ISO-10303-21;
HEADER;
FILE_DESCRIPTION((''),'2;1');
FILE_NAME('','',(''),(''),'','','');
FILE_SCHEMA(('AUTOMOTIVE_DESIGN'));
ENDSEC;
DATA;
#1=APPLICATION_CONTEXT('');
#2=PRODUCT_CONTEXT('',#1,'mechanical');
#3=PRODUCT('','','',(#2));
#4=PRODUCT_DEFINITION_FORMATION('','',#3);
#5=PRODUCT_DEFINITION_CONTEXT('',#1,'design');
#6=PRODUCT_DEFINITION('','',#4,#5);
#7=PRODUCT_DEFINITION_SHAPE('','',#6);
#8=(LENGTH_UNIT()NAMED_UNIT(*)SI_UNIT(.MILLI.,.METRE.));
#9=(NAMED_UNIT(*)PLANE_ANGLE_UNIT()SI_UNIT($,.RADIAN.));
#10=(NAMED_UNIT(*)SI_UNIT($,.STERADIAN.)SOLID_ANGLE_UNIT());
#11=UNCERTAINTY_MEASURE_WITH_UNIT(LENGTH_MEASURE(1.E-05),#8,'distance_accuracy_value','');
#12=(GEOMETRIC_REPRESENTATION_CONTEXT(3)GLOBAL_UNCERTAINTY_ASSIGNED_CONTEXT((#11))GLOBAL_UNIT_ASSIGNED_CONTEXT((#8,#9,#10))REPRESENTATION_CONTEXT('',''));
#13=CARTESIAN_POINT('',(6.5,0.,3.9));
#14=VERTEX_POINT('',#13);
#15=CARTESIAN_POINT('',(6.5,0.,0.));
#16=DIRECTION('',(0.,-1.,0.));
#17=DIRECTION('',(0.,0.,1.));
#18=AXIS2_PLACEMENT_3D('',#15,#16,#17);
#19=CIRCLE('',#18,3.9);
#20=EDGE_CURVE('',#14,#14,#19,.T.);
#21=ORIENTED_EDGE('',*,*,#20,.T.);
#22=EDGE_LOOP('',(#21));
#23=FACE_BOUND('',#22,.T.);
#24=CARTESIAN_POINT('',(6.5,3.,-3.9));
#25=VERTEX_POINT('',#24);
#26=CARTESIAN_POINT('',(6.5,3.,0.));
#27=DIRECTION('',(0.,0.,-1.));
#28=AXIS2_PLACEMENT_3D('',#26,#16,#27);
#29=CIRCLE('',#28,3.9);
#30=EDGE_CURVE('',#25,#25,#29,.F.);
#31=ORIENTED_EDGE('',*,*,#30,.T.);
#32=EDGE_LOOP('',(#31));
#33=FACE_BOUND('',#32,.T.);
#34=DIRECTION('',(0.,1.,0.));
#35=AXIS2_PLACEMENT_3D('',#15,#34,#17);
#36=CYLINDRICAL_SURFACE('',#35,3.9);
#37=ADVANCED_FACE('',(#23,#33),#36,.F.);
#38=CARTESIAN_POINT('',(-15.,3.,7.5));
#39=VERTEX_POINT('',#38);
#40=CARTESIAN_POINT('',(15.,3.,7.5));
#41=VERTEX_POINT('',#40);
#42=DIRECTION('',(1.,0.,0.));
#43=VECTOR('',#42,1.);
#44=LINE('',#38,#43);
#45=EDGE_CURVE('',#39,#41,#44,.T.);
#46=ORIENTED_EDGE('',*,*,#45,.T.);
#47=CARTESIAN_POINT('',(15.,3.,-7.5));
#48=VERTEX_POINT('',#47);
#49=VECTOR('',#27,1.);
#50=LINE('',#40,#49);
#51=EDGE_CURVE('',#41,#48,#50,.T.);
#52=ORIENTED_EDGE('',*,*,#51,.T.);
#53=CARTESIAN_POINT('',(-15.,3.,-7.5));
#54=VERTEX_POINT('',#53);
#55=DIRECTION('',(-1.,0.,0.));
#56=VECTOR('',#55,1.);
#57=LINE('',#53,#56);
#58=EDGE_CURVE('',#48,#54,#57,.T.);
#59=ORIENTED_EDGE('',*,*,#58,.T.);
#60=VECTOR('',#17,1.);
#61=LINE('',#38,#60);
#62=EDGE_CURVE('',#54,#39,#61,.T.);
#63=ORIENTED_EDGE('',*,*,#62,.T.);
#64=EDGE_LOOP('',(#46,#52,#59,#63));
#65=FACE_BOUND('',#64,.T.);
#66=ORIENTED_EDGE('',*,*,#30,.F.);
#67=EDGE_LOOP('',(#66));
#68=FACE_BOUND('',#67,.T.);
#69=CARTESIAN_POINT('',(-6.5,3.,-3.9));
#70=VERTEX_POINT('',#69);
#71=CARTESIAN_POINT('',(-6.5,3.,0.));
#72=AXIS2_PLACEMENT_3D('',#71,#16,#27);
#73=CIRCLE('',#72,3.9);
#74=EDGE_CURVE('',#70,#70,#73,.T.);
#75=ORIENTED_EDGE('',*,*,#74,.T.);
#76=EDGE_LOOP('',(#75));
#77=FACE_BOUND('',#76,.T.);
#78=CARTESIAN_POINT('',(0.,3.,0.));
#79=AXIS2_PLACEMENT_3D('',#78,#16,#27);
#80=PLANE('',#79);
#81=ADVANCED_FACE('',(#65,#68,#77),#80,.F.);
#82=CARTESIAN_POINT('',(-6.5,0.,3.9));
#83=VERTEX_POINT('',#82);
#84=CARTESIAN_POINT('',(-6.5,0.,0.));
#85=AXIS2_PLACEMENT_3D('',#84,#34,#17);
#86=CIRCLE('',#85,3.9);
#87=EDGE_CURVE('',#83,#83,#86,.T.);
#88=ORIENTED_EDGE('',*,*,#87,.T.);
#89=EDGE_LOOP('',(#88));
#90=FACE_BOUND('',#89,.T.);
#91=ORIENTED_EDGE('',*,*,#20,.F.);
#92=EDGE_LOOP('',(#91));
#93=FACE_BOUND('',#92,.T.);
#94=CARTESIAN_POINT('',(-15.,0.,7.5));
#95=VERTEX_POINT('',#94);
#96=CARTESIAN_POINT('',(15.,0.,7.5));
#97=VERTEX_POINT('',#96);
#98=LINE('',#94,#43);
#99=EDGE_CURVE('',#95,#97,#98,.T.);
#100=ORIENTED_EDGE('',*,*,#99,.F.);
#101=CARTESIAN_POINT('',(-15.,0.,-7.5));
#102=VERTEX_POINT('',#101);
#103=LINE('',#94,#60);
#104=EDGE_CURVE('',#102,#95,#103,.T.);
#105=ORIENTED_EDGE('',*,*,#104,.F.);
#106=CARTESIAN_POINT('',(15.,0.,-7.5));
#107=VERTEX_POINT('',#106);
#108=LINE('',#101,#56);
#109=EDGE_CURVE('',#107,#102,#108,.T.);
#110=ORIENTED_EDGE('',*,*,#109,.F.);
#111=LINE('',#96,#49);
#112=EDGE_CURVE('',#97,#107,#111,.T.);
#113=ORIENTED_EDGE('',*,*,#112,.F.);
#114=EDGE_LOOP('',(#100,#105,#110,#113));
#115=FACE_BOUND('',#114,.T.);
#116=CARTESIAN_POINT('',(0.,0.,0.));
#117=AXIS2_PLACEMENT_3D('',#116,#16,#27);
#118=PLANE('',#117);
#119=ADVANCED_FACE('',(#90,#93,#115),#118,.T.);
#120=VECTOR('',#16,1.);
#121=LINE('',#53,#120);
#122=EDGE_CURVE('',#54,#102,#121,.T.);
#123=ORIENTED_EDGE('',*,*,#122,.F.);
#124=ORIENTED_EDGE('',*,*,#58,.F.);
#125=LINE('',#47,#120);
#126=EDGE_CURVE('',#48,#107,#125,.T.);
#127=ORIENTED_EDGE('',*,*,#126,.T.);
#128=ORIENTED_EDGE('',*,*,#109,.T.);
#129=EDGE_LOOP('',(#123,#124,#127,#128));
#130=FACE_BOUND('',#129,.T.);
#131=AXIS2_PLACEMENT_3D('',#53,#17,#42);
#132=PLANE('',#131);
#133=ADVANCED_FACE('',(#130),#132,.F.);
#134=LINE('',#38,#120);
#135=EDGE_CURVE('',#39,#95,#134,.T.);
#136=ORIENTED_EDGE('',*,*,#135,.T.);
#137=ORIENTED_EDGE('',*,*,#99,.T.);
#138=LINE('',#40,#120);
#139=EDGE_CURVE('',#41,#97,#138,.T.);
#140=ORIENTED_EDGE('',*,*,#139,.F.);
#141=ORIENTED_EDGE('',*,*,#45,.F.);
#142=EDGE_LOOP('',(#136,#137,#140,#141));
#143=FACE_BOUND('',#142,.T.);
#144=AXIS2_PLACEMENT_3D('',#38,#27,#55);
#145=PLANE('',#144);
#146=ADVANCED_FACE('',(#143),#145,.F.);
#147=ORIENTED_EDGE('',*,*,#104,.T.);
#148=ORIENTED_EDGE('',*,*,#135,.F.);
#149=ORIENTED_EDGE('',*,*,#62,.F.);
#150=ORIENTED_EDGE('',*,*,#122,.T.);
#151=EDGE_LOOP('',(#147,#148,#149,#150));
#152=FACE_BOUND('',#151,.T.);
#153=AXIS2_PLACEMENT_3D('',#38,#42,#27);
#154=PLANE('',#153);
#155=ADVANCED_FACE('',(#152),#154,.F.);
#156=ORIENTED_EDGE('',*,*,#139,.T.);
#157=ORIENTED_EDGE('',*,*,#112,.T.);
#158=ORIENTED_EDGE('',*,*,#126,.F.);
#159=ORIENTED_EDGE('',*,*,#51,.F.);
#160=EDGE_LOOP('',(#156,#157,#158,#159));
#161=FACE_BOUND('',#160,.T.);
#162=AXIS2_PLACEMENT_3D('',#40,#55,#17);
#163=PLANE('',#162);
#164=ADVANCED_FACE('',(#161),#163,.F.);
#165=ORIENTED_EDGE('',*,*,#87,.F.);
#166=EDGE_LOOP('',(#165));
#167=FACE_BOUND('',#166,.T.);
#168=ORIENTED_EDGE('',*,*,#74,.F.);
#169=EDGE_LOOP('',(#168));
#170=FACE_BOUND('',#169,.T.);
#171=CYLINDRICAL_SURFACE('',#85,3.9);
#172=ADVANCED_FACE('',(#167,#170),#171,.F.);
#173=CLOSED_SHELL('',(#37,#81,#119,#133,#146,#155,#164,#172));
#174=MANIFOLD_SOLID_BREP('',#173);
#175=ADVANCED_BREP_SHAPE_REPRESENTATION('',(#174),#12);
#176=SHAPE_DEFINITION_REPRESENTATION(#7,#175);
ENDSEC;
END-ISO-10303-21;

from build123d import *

# Parameters (mm, degrees)
SKETCH1_W           = 30
SKETCH1_H           = 15
BOSS_EXTRUDE1_DEPTH = 3
CUT_EXTRUDE1_START  = -4
SKETCH2_R           = 3.9
CUT_EXTRUDE1_DEPTH  = 5


with BuildPart() as part:
    # Sketch1 → Boss-Extrude1 (new body)
    with BuildSketch(Plane(origin=(0, 0, 0), x_dir=(1, 0, 0), z_dir=(0, 1, 0))):
        Rectangle(SKETCH1_W, SKETCH1_H)
    extrude(amount=BOSS_EXTRUDE1_DEPTH)

    # Sketch2 → Cut-Extrude1 (cut)
    with BuildSketch(Plane(origin=(0, 3, 0), x_dir=(1, 0, 0), z_dir=(0, 1, 0)).offset(CUT_EXTRUDE1_START)):
        with Locations((-6.5, 0)):
            Circle(SKETCH2_R)
    cut_extrude1 = extrude(amount=CUT_EXTRUDE1_DEPTH, mode=Mode.SUBTRACT)

    # Mirror1: Cut-Extrude1 across plane
    add(cut_extrude1.mirror(Plane(origin=(0, 0, 0), x_dir=(0, 0, 1), z_dir=(1, 0, 0))), mode=Mode.SUBTRACT)


solid = part.part
